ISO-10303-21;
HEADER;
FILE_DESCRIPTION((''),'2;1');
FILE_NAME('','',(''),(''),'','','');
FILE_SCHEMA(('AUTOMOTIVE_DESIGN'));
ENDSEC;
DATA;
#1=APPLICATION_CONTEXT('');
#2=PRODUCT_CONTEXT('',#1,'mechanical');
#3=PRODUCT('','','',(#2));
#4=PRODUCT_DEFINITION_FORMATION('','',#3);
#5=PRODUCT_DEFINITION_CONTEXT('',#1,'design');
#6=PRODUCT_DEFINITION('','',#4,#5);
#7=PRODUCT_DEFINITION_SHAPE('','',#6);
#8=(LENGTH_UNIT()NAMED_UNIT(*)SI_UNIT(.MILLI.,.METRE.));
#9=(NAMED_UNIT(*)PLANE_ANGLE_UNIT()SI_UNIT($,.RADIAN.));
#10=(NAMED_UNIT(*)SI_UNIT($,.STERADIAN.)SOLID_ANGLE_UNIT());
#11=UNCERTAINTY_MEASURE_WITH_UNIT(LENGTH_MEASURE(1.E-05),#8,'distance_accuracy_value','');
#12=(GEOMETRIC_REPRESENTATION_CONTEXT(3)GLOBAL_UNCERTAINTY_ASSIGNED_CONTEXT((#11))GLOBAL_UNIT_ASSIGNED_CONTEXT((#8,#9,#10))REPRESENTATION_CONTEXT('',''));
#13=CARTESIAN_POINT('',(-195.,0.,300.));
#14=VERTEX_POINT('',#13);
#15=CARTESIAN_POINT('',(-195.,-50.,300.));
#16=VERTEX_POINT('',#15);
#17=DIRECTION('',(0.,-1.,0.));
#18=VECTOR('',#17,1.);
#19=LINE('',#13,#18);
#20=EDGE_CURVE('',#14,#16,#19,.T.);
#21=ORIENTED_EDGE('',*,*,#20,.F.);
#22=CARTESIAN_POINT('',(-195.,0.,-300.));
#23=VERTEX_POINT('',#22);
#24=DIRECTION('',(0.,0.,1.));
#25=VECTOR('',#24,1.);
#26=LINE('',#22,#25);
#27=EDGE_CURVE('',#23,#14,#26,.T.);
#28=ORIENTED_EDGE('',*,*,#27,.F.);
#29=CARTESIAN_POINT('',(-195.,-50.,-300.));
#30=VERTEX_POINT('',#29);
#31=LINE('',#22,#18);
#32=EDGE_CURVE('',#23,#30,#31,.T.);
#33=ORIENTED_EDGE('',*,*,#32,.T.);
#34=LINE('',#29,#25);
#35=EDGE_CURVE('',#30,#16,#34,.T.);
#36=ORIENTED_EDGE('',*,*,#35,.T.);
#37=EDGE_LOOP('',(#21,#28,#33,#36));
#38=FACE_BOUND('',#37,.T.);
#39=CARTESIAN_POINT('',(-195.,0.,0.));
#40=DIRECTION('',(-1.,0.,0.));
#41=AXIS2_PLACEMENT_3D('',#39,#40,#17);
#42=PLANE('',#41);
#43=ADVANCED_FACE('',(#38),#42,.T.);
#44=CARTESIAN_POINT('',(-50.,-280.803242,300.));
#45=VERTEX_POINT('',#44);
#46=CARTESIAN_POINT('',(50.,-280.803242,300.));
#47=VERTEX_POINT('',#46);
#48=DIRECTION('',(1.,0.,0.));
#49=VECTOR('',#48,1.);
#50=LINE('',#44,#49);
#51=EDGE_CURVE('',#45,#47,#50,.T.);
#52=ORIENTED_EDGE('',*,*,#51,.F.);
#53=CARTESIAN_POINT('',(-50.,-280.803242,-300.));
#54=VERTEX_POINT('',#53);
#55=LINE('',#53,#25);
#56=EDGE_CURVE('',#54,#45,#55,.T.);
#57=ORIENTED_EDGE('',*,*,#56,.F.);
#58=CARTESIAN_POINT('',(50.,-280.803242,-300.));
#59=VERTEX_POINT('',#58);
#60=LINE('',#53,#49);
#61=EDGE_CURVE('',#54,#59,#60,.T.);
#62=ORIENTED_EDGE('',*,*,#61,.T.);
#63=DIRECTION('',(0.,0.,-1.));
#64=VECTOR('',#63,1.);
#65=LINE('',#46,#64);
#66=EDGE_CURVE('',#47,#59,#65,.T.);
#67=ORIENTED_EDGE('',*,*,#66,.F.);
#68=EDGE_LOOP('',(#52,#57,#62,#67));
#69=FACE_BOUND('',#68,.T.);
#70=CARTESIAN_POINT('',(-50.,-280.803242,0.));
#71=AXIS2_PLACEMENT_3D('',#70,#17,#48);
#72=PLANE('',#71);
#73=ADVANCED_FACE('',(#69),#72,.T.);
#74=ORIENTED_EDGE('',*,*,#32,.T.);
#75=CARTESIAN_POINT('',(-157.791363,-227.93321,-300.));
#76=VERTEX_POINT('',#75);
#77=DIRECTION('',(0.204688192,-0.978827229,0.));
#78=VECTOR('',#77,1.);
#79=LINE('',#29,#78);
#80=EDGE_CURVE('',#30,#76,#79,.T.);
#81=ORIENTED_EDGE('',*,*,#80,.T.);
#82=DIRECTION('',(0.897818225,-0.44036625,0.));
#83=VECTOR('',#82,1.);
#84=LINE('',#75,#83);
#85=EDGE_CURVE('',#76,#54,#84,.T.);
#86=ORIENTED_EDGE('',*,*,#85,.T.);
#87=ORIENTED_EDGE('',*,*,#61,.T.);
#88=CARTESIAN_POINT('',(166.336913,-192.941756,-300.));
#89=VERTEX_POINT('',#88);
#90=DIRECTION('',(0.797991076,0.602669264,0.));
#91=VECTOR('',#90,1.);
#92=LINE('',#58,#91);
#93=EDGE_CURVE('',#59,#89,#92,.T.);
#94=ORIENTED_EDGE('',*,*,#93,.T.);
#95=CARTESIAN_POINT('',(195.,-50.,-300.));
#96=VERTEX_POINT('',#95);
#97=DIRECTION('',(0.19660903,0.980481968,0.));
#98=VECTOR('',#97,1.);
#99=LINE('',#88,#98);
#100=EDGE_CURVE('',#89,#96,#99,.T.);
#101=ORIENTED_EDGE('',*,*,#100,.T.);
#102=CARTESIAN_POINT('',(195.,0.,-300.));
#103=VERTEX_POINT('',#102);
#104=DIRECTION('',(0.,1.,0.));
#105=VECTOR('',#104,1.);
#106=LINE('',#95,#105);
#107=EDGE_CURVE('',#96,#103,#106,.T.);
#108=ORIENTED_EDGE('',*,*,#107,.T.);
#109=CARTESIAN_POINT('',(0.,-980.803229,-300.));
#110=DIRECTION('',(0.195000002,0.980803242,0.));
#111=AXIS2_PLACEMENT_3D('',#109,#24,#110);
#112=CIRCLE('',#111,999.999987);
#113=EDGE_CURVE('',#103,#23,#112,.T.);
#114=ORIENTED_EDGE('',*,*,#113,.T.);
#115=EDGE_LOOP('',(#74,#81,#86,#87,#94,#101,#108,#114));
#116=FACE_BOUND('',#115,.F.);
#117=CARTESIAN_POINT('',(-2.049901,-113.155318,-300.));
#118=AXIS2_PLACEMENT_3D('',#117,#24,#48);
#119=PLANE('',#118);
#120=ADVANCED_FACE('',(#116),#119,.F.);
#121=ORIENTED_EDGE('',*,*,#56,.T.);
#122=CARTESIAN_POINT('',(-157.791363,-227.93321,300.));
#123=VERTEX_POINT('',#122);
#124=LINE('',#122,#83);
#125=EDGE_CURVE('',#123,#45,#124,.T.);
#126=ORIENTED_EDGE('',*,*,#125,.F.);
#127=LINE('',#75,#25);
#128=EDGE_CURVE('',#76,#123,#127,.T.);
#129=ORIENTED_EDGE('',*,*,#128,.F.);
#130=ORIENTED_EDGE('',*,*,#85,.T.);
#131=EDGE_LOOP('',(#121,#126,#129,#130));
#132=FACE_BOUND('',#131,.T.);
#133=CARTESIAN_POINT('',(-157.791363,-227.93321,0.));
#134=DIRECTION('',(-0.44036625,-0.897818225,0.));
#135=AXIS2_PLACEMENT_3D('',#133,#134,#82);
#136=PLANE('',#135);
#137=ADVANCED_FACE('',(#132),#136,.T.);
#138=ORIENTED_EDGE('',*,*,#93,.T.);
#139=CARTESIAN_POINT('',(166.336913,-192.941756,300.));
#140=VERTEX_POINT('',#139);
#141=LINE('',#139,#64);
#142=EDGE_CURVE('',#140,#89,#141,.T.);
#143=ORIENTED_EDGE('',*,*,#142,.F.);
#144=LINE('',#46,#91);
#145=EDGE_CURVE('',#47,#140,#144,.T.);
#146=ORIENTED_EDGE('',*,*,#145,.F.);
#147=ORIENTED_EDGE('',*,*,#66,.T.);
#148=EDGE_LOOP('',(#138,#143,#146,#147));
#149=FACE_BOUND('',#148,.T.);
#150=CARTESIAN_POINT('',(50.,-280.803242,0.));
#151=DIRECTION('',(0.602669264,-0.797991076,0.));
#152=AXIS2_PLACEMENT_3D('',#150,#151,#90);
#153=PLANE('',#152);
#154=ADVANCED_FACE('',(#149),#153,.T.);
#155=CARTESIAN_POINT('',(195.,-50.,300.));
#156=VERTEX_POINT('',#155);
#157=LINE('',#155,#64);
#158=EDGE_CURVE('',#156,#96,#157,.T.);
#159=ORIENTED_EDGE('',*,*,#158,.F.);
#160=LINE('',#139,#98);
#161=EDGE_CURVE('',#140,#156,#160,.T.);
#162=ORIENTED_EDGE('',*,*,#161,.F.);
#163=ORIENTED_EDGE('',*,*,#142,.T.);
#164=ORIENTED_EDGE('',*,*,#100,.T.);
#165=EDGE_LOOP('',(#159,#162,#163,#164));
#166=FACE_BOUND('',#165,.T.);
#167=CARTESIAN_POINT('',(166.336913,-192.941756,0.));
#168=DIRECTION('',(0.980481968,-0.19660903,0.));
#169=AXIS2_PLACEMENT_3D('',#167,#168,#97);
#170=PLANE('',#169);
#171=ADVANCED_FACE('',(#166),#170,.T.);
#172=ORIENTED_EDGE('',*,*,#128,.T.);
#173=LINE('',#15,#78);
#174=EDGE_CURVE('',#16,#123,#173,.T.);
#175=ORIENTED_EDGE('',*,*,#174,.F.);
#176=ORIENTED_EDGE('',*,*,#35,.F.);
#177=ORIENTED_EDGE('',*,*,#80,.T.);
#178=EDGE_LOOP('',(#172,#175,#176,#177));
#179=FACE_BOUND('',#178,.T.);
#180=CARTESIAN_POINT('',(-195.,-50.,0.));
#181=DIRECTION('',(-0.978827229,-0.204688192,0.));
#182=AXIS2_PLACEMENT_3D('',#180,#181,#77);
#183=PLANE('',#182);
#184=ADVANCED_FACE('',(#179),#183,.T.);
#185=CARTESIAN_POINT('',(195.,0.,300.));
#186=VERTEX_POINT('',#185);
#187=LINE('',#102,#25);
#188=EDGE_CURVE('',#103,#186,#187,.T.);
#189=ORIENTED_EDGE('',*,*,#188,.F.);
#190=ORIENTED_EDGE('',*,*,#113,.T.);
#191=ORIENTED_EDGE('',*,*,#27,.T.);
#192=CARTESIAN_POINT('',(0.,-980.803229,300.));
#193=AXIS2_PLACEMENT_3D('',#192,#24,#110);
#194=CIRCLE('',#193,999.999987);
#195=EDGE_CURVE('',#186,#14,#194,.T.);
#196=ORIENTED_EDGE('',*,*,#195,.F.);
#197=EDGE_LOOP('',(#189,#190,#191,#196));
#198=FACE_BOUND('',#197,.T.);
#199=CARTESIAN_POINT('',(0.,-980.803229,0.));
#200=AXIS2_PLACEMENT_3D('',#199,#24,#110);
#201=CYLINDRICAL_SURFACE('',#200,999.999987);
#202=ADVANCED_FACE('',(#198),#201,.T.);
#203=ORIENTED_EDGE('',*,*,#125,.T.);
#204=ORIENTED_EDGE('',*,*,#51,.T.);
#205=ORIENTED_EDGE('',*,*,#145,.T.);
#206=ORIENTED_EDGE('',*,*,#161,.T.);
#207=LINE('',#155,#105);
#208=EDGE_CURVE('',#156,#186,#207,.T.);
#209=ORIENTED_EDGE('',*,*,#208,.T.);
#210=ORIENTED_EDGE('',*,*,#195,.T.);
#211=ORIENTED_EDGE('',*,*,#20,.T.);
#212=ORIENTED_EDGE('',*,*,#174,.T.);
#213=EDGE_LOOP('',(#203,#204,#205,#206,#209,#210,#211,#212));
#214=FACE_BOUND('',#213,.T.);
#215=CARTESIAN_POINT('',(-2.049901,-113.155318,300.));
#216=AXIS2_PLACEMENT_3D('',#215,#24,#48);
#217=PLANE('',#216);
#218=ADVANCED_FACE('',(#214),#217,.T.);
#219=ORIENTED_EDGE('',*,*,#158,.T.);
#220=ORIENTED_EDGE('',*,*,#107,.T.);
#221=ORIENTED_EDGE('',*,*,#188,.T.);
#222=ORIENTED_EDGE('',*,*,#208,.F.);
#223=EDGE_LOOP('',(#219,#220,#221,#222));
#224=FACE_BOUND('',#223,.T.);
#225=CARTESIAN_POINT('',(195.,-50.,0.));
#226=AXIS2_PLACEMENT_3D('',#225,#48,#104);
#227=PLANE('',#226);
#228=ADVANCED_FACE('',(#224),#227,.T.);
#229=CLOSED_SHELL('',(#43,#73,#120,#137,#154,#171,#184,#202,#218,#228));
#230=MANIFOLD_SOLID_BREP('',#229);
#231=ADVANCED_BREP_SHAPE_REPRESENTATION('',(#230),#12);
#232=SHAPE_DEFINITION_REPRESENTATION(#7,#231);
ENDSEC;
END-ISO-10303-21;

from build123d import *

# Parameters (mm, degrees)
F1_DEPTH = 300


with BuildPart() as f1:
    # F0 (on Top) → F1 (new body, symmetric)
    with BuildSketch(Plane.XY):
        with BuildLine():
            Line((195, -50), (195, 0))
            ThreePointArc((195, 0), (0, 19.196758), (-195, 0))
            Line((-195, 0), (-195, -50))
            Line((-195, -50), (-157.791363, -227.93321))
            Line((-157.791363, -227.93321), (-50, -280.803242))
            Line((-50, -280.803242), (50, -280.803242))
            Line((50, -280.803242), (166.336913, -192.941756))
            Line((166.336913, -192.941756), (195, -50))
        make_face()
    extrude(amount=F1_DEPTH, both=True)


solid = f1.part
